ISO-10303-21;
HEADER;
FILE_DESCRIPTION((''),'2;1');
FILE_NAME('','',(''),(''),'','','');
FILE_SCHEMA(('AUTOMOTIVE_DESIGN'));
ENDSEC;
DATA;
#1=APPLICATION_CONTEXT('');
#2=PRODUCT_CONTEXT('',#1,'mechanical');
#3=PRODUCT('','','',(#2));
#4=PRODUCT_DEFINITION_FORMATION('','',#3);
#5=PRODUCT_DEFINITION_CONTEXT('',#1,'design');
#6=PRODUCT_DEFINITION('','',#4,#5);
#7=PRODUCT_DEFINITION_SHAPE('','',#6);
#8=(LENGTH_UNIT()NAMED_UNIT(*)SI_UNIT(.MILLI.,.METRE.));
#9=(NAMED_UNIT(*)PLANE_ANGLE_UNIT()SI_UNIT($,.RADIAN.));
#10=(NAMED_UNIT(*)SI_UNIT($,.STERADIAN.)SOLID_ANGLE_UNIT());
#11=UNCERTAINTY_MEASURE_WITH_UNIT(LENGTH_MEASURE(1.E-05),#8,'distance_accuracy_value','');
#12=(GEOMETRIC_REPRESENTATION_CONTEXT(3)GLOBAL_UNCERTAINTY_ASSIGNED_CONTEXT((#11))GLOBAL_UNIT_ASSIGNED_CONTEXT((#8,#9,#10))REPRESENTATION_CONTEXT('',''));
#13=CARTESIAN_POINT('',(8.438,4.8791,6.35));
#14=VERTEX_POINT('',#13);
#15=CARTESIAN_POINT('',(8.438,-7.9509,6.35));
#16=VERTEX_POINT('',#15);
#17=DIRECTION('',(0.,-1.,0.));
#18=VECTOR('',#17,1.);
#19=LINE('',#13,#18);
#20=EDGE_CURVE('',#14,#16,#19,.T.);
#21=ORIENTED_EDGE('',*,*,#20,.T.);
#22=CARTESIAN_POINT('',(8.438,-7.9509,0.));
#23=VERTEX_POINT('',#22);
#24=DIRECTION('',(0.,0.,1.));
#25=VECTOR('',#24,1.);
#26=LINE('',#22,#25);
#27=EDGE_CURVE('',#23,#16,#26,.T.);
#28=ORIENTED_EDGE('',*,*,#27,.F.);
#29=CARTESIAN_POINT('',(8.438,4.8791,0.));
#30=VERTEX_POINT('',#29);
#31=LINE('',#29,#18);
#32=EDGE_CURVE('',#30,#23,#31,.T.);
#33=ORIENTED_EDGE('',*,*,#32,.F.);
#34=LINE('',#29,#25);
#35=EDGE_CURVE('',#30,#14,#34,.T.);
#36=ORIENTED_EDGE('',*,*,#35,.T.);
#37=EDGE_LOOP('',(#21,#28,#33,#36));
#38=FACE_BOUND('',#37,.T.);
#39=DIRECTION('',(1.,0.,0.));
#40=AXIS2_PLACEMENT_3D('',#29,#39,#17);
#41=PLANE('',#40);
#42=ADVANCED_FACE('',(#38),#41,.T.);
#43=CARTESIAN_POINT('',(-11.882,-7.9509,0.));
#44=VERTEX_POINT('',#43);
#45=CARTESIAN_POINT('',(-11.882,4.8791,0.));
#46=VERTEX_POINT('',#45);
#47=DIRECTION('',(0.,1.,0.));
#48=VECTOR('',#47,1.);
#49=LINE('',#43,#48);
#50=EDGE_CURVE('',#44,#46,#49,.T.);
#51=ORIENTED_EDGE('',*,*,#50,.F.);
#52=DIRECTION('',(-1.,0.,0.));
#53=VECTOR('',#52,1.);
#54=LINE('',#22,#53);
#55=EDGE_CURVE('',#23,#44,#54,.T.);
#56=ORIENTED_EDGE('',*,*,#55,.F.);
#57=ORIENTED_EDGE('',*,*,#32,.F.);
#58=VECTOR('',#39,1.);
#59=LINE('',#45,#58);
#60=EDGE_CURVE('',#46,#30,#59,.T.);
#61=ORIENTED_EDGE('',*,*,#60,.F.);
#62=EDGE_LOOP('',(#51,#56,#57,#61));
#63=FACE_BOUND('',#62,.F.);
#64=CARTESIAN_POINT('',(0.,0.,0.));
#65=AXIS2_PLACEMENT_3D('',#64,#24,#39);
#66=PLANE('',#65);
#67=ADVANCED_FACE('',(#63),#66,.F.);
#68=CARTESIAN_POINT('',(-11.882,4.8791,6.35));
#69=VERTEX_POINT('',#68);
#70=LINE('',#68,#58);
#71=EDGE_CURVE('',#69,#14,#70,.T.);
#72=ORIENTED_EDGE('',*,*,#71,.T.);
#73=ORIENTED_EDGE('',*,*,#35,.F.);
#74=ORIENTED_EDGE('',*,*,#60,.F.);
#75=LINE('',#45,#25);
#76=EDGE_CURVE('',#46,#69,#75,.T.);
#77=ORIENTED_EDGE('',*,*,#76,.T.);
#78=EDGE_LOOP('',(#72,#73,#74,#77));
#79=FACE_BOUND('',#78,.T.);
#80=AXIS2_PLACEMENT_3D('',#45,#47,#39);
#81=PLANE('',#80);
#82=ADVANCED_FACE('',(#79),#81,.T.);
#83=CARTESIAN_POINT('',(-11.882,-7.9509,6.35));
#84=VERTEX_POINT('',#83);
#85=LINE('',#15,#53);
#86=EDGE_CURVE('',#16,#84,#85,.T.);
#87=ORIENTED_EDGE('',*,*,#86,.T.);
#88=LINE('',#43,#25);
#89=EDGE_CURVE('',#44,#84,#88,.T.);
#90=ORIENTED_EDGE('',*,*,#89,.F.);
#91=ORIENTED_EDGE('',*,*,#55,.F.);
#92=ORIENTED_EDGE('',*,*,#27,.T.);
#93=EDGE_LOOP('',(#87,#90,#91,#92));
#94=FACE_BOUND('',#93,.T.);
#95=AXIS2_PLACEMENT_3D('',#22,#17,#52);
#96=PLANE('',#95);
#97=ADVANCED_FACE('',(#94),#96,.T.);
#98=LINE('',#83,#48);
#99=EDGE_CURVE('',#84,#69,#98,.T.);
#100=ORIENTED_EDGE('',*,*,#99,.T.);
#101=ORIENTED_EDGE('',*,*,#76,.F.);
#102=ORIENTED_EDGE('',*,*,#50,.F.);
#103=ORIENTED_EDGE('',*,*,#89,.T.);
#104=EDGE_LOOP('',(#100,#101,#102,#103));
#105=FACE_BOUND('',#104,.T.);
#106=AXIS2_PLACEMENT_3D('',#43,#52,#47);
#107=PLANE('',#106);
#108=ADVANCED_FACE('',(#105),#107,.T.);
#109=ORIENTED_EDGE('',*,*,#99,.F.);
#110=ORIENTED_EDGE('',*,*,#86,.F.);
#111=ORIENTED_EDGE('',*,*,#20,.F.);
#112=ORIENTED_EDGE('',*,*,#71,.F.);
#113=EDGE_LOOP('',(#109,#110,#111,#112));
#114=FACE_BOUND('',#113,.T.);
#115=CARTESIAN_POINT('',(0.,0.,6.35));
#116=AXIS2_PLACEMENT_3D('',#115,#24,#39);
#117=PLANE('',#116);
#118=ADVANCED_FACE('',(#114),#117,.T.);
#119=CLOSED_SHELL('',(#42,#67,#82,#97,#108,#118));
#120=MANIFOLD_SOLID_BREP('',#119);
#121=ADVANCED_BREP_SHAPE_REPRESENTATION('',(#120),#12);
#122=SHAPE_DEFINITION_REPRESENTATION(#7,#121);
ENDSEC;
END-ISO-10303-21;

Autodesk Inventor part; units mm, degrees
ref_plane "YZ Plane" through (0, 0, 0) normal (1, 0, 0) x (0, 1, 0)
ref_plane "XZ Plane" through (0, 0, 0) normal (0, 1, 0) x (-1, 0, 0)
ref_plane "XY Plane" through (0, 0, 0) normal (0, 0, 1) x (1, 0, 0)
sketch "Sketch1" plane through (0, 0, 0) normal (0, 0, 1) x (1, 0, 0)
  line L0 (8.438, -7.9509) -> (-11.882, -7.9509)
  line L1 (-11.882, -7.9509) -> (-11.882, 4.8791)
  line L2 (-11.882, 4.8791) -> (8.438, 4.8791)
  line L3 (8.438, 4.8791) -> (8.438, -7.9509)
  point P0 (0, 0)
  dimension "d0" = 20.32
  dimension "d1" = 12.83
extrude "Extrusion1" add sketch "Sketch1" along normal blind 6.35
properties part number "4WayCombiner"
